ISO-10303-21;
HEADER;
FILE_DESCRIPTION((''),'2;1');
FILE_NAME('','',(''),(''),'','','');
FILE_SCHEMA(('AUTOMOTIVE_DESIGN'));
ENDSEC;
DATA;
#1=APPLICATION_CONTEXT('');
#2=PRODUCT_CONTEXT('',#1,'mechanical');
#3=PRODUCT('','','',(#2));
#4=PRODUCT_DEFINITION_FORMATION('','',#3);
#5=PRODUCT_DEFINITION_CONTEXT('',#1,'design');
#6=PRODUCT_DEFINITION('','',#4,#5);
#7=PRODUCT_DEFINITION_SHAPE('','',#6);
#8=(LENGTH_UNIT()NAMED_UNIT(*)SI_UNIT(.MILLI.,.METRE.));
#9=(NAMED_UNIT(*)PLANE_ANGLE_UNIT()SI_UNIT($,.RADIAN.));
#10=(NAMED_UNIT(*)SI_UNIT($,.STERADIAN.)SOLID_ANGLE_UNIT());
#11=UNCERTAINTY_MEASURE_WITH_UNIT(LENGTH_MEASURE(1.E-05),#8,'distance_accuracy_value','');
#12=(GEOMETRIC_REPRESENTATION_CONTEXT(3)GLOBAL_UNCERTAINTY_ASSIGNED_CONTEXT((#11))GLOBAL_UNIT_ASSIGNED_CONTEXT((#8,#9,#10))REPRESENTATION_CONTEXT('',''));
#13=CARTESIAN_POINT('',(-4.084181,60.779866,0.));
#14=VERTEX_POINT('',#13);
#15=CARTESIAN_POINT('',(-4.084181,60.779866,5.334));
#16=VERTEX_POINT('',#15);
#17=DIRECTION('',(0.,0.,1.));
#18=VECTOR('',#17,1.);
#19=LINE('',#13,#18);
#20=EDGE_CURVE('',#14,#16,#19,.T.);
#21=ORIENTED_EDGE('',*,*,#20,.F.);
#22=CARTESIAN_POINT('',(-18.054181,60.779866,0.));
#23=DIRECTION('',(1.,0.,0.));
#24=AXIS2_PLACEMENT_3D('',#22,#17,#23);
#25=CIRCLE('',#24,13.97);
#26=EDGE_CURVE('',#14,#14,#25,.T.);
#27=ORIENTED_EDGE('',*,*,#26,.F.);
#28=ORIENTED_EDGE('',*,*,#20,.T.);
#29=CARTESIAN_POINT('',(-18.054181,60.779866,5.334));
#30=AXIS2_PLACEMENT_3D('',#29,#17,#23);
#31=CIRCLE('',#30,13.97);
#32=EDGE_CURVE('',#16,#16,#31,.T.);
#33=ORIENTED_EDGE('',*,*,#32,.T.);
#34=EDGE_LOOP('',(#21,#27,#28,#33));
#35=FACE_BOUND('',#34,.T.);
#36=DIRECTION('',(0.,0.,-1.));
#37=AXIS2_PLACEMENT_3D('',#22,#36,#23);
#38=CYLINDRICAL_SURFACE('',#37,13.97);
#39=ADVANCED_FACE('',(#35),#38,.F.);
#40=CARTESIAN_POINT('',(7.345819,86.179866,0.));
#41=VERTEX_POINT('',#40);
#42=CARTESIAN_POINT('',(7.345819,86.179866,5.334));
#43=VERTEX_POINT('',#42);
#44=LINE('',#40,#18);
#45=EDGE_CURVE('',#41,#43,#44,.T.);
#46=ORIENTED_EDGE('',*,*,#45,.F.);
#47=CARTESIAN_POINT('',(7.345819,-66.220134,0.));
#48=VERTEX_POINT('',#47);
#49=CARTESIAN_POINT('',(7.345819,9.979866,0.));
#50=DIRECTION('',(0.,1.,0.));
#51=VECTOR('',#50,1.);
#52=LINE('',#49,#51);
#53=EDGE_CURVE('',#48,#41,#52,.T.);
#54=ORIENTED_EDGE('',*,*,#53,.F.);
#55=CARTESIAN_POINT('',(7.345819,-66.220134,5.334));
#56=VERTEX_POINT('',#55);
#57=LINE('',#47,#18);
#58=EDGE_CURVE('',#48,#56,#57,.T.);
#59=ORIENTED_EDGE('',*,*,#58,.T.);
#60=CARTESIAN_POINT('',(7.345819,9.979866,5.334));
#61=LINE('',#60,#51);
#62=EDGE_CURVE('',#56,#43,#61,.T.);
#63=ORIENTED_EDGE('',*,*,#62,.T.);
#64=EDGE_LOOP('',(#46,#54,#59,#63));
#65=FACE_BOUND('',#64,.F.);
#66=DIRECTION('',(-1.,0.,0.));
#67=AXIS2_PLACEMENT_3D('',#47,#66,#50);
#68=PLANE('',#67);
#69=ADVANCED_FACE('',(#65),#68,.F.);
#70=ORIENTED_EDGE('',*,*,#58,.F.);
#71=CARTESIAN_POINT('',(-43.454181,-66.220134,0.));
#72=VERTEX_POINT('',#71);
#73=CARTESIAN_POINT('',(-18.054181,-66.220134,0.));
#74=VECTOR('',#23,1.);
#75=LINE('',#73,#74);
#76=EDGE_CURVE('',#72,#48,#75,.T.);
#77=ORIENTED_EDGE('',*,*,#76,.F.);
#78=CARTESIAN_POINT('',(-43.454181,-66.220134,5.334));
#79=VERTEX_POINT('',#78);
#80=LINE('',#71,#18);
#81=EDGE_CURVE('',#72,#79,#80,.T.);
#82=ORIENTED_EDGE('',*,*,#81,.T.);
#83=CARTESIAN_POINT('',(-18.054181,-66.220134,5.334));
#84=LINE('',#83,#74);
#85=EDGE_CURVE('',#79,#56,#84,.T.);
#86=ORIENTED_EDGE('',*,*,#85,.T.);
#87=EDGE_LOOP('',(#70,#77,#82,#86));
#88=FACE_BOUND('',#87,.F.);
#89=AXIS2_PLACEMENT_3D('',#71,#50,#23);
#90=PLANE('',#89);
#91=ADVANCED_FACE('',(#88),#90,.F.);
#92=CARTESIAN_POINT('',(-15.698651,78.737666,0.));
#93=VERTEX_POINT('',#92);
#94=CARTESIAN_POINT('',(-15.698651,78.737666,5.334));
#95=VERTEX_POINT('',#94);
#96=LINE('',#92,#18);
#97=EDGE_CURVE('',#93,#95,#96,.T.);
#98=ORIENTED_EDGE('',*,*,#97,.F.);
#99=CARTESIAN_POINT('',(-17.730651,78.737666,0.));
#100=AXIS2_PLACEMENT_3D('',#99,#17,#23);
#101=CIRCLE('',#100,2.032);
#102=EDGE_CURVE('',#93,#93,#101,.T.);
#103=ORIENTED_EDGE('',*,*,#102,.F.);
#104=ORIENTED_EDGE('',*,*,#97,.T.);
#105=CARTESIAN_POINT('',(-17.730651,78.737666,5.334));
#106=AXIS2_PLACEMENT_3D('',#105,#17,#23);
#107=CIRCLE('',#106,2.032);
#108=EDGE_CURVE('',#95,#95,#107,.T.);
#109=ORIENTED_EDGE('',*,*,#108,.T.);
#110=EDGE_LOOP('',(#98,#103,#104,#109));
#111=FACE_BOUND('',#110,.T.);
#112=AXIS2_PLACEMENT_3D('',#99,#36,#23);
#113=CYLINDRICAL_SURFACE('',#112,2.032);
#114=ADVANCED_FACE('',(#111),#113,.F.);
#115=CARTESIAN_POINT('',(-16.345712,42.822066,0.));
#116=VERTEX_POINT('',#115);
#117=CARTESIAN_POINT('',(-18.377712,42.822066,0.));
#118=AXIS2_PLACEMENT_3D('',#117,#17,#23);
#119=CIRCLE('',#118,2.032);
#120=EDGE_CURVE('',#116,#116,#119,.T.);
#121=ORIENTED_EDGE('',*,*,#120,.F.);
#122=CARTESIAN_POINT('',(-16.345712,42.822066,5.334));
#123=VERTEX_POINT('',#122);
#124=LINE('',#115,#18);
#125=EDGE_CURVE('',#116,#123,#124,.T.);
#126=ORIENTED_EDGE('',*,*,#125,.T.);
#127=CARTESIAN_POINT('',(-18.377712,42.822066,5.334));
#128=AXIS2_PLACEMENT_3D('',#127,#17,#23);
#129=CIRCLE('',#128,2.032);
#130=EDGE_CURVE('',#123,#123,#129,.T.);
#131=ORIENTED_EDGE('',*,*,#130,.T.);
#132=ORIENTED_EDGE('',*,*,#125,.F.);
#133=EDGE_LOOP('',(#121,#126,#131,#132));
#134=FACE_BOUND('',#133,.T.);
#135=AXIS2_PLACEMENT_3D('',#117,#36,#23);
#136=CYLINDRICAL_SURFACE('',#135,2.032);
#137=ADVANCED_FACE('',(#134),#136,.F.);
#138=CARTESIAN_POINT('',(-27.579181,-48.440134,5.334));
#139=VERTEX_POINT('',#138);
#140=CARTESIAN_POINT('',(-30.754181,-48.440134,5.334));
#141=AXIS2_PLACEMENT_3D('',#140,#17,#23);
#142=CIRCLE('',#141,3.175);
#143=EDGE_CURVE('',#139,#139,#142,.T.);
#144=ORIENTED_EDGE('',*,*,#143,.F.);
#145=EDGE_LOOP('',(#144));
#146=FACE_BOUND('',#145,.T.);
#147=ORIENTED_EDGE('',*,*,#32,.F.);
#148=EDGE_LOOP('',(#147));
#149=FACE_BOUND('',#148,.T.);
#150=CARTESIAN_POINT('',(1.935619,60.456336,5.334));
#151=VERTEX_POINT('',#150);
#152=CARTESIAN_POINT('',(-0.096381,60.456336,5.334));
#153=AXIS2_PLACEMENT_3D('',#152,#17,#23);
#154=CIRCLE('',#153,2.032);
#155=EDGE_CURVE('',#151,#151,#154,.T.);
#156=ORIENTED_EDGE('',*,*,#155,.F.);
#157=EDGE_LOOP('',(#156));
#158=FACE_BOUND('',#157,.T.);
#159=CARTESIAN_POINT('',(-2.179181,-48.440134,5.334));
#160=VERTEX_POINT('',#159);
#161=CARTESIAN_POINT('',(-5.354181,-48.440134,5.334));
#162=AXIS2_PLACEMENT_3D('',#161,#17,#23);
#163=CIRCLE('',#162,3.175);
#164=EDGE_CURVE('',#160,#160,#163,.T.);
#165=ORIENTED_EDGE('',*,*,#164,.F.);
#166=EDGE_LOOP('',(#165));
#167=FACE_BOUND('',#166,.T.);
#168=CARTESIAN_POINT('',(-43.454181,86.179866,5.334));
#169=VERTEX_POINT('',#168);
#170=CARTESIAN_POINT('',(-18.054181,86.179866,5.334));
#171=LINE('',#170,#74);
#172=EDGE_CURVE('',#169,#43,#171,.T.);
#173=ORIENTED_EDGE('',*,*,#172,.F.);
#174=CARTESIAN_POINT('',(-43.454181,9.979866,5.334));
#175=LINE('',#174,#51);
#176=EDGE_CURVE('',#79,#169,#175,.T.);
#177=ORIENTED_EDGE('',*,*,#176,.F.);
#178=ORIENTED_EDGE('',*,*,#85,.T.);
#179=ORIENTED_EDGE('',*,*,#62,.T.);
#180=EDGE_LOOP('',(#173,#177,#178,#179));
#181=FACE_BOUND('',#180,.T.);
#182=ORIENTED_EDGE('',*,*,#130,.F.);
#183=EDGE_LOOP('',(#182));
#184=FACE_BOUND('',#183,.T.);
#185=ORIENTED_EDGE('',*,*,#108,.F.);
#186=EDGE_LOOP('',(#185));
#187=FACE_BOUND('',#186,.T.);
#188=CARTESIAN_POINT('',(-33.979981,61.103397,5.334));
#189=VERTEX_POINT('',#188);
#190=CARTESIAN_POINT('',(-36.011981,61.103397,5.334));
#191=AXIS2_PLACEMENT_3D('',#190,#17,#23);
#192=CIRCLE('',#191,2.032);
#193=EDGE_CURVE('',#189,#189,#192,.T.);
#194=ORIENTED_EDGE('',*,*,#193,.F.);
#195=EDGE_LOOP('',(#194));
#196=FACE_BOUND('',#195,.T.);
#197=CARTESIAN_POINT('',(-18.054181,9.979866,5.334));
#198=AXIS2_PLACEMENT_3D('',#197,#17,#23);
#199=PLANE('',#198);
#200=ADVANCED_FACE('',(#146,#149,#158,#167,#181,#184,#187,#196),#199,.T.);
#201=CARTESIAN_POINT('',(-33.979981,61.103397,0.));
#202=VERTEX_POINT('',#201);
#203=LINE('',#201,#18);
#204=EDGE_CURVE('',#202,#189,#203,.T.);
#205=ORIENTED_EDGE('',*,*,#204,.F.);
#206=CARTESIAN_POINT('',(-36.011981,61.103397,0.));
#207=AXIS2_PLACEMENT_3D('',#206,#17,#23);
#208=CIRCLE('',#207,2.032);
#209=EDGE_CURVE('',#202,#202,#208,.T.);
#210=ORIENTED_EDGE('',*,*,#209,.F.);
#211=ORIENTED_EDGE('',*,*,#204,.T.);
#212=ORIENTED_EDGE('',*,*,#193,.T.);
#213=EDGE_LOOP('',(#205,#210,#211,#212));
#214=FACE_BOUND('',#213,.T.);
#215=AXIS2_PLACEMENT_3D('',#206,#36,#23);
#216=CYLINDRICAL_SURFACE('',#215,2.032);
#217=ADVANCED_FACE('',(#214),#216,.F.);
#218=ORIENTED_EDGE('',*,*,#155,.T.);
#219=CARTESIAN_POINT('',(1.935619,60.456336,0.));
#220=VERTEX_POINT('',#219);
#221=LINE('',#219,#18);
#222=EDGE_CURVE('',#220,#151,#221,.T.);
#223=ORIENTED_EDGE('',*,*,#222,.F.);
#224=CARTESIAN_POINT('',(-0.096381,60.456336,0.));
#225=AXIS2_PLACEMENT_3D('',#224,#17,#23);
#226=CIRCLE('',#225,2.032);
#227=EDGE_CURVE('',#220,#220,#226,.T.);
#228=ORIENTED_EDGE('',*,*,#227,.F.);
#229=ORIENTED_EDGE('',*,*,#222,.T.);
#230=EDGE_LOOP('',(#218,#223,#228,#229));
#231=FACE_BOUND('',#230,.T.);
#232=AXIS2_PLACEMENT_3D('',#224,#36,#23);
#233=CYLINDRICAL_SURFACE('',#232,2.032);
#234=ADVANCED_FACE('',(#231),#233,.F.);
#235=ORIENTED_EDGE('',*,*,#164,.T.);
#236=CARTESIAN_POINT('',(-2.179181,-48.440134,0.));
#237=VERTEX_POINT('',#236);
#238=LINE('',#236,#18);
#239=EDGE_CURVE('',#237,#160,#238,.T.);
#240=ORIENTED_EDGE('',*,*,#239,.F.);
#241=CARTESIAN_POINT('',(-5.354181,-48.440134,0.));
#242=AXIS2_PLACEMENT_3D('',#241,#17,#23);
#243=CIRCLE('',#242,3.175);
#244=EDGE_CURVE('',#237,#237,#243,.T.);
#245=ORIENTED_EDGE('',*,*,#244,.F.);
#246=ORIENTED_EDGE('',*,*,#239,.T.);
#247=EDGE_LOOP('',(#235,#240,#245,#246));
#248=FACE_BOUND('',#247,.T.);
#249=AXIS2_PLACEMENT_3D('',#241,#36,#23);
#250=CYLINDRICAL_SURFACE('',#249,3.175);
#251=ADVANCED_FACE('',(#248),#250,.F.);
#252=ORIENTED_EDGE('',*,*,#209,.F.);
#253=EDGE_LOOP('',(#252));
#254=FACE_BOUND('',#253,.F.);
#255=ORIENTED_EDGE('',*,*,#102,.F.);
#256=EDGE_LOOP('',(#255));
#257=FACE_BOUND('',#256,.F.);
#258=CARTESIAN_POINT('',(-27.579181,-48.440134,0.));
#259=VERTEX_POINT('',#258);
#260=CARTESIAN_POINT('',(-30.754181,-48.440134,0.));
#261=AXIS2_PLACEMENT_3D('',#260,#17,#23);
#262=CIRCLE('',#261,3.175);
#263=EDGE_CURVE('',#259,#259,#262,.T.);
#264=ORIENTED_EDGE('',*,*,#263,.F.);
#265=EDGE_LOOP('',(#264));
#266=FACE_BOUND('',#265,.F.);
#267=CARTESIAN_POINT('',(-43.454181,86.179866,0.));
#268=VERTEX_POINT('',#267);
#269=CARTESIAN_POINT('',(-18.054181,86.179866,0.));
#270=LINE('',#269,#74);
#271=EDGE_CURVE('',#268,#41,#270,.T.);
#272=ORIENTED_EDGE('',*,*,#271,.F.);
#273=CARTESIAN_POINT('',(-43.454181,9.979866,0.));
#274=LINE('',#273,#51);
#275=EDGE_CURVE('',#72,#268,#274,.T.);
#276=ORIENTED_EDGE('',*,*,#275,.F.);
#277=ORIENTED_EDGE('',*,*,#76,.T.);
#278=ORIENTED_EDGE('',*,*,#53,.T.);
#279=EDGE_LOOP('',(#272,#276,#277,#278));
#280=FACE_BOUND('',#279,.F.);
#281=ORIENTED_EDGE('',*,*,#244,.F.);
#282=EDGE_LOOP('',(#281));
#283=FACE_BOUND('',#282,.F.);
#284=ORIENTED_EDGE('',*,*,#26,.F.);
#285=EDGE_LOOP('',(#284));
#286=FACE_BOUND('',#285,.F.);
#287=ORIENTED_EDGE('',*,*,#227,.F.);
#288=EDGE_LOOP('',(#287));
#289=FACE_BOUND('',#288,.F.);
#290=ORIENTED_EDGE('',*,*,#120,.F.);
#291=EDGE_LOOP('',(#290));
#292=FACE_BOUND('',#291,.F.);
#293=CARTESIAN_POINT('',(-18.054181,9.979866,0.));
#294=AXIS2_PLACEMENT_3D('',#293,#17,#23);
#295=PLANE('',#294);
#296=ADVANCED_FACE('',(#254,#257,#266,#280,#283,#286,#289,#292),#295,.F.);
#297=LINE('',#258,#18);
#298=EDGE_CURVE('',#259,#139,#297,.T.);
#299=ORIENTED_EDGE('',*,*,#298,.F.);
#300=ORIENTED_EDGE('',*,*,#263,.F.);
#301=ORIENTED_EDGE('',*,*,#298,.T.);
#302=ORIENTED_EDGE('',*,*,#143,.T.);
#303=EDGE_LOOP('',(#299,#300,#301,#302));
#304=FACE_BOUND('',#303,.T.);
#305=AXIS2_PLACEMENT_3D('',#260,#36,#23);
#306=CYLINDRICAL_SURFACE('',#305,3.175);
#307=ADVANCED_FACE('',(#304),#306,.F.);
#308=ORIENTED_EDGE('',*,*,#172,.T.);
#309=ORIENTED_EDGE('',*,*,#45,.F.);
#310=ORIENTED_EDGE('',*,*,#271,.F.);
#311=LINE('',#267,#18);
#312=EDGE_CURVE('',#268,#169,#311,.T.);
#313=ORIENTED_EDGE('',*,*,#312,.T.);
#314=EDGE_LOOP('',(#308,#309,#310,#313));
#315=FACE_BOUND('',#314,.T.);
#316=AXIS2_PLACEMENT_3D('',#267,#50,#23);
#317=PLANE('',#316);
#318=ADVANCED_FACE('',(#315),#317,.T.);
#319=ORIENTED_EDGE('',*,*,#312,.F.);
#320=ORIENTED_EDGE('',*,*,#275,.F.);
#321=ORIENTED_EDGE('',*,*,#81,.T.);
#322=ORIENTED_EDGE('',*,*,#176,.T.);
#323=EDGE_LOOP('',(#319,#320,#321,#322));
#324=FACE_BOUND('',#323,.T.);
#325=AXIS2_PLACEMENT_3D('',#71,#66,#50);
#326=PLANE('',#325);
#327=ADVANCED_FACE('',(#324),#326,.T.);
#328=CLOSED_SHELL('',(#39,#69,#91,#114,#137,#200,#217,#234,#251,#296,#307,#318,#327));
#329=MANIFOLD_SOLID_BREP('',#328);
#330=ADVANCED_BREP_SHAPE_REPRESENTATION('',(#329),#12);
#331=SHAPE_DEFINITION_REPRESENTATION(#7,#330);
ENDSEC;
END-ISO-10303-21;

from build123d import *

# Parameters (mm, degrees)
F0_W     = 50.8
F0_H     = 152.4
F0_R     = 3.175
F0_R_2   = 2.032
F0_R_3   = 13.97
F1_DEPTH = 5.334
F2_R     = 3.175
F3_DEPTH = 25.4


with BuildPart() as f1:
    # F0 (on Top) → F1 (new body)
    with BuildSketch(Plane.XY):
        with Locations((-18.054181, 9.979866)):
            Rectangle(F0_W, F0_H)
        with Locations((-30.754181, -48.440134)):
            Circle(F0_R, mode=Mode.SUBTRACT)
        with Locations((-5.354181, -48.440134)):
            Circle(F0_R, mode=Mode.SUBTRACT)
        with Locations((-18.377712, 42.822066)):
            Circle(F0_R_2, mode=Mode.SUBTRACT)
        with Locations((-36.011981, 61.103397)):
            Circle(F0_R_2, mode=Mode.SUBTRACT)
        with Locations((-18.054181, 60.779866)):
            Circle(F0_R_3, mode=Mode.SUBTRACT)
        with Locations((-17.730651, 78.737666)):
            Circle(F0_R_2, mode=Mode.SUBTRACT)
        with Locations((-0.096381, 60.456336)):
            Circle(F0_R_2, mode=Mode.SUBTRACT)
    extrude(amount=F1_DEPTH)

    # F2 (on face) → F3 (cut)
    with BuildSketch(Plane(origin=(0, 0, 0), x_dir=(1, 0, 0), z_dir=(0, 0, -1))):
        with Locations((-5.354181, 48.440134)):
            Circle(F2_R)
        with Locations((-30.754181, 48.440134)):
            Circle(F2_R)
    extrude(amount=-F3_DEPTH, mode=Mode.SUBTRACT)


solid = f1.part
